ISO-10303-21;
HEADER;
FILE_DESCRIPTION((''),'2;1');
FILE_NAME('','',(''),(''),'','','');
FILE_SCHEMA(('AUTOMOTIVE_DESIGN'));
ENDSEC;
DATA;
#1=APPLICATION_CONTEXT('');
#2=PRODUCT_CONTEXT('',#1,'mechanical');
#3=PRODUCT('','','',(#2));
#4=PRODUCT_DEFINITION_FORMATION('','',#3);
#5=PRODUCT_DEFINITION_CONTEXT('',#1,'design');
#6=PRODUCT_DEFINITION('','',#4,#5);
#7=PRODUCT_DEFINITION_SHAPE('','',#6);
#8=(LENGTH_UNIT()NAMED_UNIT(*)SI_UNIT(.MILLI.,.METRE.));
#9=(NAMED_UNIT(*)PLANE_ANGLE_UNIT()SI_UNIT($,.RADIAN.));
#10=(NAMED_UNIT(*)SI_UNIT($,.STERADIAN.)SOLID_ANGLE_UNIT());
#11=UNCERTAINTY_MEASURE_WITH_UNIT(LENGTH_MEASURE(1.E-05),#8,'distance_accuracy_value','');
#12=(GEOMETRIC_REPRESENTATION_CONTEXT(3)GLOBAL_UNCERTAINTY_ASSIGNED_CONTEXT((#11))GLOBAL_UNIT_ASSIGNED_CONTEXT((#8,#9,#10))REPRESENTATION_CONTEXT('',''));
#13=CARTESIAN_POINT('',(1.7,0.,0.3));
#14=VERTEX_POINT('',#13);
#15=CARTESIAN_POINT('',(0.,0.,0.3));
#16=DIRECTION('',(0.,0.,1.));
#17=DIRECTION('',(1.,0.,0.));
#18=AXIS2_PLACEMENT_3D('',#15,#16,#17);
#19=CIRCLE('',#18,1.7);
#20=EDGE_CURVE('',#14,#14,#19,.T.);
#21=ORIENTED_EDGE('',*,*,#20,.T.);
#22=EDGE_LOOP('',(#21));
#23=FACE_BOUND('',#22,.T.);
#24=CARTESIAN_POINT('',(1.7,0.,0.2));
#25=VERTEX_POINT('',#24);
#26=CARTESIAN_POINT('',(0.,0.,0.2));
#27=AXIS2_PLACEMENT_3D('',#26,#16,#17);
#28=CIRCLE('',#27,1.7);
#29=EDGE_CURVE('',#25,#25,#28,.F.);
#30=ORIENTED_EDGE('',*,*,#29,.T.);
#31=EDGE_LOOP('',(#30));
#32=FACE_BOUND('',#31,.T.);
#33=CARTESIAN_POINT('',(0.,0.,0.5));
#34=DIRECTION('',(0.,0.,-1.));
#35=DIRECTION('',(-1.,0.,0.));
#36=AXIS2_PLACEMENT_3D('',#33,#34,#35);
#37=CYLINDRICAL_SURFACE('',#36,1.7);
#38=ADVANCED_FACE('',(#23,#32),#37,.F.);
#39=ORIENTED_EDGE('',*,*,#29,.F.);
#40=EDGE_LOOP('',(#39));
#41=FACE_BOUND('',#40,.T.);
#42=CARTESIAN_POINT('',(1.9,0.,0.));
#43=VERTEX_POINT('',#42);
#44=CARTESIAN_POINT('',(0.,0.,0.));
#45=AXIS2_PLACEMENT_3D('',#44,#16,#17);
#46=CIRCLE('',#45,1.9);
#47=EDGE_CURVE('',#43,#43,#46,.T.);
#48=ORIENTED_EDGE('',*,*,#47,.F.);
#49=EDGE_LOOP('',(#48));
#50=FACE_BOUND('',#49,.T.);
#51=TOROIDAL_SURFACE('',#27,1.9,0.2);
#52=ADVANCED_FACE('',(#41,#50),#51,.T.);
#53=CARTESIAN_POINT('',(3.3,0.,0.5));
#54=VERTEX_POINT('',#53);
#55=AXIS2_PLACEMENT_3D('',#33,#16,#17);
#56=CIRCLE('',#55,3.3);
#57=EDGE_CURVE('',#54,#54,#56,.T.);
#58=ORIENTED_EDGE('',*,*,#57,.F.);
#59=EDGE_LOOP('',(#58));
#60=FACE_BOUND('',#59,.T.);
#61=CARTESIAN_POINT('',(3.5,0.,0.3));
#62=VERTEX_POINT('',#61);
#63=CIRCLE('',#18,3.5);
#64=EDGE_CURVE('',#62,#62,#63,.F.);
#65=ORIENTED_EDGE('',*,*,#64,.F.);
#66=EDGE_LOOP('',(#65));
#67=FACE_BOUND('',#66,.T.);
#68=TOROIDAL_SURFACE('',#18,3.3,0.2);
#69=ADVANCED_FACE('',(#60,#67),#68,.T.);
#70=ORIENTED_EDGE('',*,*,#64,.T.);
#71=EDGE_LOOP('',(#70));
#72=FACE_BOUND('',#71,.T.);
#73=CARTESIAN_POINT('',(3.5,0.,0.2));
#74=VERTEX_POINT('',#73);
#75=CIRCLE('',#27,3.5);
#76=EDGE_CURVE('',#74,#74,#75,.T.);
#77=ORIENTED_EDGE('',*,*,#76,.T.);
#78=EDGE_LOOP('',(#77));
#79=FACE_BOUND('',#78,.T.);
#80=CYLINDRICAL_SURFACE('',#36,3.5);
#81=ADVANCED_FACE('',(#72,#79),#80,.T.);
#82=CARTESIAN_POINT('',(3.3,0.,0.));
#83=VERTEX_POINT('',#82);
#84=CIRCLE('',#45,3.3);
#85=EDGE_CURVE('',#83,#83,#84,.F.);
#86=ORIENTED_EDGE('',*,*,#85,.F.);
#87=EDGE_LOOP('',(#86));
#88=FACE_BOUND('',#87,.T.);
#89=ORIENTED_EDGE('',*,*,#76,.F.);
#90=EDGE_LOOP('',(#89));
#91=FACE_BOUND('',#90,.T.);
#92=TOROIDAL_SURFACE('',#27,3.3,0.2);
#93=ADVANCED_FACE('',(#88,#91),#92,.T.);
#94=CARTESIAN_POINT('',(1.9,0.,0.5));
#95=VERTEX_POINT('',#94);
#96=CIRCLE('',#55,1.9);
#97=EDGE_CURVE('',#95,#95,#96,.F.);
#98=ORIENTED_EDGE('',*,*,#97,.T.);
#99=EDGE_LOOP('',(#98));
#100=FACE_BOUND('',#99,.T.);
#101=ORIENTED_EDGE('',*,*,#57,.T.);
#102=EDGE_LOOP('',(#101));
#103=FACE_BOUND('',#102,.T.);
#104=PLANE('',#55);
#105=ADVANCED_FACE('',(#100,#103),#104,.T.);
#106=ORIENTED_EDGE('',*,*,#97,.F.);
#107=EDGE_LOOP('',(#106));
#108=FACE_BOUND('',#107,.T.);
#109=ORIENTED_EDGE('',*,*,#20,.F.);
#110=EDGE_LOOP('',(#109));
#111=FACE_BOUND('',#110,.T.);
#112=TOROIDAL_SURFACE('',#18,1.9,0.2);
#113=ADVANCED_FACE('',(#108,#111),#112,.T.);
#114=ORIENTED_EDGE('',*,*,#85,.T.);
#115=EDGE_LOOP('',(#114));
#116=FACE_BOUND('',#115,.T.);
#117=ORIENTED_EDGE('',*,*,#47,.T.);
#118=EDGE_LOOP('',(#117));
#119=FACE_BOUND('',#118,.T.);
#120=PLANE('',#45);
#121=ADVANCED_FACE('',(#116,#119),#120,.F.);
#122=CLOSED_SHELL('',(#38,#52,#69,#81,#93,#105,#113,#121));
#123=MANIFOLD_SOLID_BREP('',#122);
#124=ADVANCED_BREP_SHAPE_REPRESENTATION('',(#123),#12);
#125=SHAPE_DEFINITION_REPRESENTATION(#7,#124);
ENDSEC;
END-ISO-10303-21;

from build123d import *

# Parameters (mm, degrees)
ESBO_O1_R                = 3.5
ESBO_O1_R_2              = 1.7
RESSALTO_EXTRUS_O1_DEPTH = 0.5
FILETE1_R                = 0.2


with BuildPart() as part:
    # Esboço1 → Ressalto-extrusão1 (new body)
    with BuildSketch(Plane.XY):
        Circle(ESBO_O1_R)
        Circle(ESBO_O1_R_2, mode=Mode.SUBTRACT)
    extrude(amount=RESSALTO_EXTRUS_O1_DEPTH)

    # Filete1
    filete1_edges = [part.edges().sort_by_distance(p)[0] for p in [
        (-3.5, 0, 0),
        (-3.5, 0, 0.5),
        (-1.7, 0, 0),
        (-1.7, 0, 0.5),
    ]]
    fillet(filete1_edges, radius=FILETE1_R)


solid = part.part
